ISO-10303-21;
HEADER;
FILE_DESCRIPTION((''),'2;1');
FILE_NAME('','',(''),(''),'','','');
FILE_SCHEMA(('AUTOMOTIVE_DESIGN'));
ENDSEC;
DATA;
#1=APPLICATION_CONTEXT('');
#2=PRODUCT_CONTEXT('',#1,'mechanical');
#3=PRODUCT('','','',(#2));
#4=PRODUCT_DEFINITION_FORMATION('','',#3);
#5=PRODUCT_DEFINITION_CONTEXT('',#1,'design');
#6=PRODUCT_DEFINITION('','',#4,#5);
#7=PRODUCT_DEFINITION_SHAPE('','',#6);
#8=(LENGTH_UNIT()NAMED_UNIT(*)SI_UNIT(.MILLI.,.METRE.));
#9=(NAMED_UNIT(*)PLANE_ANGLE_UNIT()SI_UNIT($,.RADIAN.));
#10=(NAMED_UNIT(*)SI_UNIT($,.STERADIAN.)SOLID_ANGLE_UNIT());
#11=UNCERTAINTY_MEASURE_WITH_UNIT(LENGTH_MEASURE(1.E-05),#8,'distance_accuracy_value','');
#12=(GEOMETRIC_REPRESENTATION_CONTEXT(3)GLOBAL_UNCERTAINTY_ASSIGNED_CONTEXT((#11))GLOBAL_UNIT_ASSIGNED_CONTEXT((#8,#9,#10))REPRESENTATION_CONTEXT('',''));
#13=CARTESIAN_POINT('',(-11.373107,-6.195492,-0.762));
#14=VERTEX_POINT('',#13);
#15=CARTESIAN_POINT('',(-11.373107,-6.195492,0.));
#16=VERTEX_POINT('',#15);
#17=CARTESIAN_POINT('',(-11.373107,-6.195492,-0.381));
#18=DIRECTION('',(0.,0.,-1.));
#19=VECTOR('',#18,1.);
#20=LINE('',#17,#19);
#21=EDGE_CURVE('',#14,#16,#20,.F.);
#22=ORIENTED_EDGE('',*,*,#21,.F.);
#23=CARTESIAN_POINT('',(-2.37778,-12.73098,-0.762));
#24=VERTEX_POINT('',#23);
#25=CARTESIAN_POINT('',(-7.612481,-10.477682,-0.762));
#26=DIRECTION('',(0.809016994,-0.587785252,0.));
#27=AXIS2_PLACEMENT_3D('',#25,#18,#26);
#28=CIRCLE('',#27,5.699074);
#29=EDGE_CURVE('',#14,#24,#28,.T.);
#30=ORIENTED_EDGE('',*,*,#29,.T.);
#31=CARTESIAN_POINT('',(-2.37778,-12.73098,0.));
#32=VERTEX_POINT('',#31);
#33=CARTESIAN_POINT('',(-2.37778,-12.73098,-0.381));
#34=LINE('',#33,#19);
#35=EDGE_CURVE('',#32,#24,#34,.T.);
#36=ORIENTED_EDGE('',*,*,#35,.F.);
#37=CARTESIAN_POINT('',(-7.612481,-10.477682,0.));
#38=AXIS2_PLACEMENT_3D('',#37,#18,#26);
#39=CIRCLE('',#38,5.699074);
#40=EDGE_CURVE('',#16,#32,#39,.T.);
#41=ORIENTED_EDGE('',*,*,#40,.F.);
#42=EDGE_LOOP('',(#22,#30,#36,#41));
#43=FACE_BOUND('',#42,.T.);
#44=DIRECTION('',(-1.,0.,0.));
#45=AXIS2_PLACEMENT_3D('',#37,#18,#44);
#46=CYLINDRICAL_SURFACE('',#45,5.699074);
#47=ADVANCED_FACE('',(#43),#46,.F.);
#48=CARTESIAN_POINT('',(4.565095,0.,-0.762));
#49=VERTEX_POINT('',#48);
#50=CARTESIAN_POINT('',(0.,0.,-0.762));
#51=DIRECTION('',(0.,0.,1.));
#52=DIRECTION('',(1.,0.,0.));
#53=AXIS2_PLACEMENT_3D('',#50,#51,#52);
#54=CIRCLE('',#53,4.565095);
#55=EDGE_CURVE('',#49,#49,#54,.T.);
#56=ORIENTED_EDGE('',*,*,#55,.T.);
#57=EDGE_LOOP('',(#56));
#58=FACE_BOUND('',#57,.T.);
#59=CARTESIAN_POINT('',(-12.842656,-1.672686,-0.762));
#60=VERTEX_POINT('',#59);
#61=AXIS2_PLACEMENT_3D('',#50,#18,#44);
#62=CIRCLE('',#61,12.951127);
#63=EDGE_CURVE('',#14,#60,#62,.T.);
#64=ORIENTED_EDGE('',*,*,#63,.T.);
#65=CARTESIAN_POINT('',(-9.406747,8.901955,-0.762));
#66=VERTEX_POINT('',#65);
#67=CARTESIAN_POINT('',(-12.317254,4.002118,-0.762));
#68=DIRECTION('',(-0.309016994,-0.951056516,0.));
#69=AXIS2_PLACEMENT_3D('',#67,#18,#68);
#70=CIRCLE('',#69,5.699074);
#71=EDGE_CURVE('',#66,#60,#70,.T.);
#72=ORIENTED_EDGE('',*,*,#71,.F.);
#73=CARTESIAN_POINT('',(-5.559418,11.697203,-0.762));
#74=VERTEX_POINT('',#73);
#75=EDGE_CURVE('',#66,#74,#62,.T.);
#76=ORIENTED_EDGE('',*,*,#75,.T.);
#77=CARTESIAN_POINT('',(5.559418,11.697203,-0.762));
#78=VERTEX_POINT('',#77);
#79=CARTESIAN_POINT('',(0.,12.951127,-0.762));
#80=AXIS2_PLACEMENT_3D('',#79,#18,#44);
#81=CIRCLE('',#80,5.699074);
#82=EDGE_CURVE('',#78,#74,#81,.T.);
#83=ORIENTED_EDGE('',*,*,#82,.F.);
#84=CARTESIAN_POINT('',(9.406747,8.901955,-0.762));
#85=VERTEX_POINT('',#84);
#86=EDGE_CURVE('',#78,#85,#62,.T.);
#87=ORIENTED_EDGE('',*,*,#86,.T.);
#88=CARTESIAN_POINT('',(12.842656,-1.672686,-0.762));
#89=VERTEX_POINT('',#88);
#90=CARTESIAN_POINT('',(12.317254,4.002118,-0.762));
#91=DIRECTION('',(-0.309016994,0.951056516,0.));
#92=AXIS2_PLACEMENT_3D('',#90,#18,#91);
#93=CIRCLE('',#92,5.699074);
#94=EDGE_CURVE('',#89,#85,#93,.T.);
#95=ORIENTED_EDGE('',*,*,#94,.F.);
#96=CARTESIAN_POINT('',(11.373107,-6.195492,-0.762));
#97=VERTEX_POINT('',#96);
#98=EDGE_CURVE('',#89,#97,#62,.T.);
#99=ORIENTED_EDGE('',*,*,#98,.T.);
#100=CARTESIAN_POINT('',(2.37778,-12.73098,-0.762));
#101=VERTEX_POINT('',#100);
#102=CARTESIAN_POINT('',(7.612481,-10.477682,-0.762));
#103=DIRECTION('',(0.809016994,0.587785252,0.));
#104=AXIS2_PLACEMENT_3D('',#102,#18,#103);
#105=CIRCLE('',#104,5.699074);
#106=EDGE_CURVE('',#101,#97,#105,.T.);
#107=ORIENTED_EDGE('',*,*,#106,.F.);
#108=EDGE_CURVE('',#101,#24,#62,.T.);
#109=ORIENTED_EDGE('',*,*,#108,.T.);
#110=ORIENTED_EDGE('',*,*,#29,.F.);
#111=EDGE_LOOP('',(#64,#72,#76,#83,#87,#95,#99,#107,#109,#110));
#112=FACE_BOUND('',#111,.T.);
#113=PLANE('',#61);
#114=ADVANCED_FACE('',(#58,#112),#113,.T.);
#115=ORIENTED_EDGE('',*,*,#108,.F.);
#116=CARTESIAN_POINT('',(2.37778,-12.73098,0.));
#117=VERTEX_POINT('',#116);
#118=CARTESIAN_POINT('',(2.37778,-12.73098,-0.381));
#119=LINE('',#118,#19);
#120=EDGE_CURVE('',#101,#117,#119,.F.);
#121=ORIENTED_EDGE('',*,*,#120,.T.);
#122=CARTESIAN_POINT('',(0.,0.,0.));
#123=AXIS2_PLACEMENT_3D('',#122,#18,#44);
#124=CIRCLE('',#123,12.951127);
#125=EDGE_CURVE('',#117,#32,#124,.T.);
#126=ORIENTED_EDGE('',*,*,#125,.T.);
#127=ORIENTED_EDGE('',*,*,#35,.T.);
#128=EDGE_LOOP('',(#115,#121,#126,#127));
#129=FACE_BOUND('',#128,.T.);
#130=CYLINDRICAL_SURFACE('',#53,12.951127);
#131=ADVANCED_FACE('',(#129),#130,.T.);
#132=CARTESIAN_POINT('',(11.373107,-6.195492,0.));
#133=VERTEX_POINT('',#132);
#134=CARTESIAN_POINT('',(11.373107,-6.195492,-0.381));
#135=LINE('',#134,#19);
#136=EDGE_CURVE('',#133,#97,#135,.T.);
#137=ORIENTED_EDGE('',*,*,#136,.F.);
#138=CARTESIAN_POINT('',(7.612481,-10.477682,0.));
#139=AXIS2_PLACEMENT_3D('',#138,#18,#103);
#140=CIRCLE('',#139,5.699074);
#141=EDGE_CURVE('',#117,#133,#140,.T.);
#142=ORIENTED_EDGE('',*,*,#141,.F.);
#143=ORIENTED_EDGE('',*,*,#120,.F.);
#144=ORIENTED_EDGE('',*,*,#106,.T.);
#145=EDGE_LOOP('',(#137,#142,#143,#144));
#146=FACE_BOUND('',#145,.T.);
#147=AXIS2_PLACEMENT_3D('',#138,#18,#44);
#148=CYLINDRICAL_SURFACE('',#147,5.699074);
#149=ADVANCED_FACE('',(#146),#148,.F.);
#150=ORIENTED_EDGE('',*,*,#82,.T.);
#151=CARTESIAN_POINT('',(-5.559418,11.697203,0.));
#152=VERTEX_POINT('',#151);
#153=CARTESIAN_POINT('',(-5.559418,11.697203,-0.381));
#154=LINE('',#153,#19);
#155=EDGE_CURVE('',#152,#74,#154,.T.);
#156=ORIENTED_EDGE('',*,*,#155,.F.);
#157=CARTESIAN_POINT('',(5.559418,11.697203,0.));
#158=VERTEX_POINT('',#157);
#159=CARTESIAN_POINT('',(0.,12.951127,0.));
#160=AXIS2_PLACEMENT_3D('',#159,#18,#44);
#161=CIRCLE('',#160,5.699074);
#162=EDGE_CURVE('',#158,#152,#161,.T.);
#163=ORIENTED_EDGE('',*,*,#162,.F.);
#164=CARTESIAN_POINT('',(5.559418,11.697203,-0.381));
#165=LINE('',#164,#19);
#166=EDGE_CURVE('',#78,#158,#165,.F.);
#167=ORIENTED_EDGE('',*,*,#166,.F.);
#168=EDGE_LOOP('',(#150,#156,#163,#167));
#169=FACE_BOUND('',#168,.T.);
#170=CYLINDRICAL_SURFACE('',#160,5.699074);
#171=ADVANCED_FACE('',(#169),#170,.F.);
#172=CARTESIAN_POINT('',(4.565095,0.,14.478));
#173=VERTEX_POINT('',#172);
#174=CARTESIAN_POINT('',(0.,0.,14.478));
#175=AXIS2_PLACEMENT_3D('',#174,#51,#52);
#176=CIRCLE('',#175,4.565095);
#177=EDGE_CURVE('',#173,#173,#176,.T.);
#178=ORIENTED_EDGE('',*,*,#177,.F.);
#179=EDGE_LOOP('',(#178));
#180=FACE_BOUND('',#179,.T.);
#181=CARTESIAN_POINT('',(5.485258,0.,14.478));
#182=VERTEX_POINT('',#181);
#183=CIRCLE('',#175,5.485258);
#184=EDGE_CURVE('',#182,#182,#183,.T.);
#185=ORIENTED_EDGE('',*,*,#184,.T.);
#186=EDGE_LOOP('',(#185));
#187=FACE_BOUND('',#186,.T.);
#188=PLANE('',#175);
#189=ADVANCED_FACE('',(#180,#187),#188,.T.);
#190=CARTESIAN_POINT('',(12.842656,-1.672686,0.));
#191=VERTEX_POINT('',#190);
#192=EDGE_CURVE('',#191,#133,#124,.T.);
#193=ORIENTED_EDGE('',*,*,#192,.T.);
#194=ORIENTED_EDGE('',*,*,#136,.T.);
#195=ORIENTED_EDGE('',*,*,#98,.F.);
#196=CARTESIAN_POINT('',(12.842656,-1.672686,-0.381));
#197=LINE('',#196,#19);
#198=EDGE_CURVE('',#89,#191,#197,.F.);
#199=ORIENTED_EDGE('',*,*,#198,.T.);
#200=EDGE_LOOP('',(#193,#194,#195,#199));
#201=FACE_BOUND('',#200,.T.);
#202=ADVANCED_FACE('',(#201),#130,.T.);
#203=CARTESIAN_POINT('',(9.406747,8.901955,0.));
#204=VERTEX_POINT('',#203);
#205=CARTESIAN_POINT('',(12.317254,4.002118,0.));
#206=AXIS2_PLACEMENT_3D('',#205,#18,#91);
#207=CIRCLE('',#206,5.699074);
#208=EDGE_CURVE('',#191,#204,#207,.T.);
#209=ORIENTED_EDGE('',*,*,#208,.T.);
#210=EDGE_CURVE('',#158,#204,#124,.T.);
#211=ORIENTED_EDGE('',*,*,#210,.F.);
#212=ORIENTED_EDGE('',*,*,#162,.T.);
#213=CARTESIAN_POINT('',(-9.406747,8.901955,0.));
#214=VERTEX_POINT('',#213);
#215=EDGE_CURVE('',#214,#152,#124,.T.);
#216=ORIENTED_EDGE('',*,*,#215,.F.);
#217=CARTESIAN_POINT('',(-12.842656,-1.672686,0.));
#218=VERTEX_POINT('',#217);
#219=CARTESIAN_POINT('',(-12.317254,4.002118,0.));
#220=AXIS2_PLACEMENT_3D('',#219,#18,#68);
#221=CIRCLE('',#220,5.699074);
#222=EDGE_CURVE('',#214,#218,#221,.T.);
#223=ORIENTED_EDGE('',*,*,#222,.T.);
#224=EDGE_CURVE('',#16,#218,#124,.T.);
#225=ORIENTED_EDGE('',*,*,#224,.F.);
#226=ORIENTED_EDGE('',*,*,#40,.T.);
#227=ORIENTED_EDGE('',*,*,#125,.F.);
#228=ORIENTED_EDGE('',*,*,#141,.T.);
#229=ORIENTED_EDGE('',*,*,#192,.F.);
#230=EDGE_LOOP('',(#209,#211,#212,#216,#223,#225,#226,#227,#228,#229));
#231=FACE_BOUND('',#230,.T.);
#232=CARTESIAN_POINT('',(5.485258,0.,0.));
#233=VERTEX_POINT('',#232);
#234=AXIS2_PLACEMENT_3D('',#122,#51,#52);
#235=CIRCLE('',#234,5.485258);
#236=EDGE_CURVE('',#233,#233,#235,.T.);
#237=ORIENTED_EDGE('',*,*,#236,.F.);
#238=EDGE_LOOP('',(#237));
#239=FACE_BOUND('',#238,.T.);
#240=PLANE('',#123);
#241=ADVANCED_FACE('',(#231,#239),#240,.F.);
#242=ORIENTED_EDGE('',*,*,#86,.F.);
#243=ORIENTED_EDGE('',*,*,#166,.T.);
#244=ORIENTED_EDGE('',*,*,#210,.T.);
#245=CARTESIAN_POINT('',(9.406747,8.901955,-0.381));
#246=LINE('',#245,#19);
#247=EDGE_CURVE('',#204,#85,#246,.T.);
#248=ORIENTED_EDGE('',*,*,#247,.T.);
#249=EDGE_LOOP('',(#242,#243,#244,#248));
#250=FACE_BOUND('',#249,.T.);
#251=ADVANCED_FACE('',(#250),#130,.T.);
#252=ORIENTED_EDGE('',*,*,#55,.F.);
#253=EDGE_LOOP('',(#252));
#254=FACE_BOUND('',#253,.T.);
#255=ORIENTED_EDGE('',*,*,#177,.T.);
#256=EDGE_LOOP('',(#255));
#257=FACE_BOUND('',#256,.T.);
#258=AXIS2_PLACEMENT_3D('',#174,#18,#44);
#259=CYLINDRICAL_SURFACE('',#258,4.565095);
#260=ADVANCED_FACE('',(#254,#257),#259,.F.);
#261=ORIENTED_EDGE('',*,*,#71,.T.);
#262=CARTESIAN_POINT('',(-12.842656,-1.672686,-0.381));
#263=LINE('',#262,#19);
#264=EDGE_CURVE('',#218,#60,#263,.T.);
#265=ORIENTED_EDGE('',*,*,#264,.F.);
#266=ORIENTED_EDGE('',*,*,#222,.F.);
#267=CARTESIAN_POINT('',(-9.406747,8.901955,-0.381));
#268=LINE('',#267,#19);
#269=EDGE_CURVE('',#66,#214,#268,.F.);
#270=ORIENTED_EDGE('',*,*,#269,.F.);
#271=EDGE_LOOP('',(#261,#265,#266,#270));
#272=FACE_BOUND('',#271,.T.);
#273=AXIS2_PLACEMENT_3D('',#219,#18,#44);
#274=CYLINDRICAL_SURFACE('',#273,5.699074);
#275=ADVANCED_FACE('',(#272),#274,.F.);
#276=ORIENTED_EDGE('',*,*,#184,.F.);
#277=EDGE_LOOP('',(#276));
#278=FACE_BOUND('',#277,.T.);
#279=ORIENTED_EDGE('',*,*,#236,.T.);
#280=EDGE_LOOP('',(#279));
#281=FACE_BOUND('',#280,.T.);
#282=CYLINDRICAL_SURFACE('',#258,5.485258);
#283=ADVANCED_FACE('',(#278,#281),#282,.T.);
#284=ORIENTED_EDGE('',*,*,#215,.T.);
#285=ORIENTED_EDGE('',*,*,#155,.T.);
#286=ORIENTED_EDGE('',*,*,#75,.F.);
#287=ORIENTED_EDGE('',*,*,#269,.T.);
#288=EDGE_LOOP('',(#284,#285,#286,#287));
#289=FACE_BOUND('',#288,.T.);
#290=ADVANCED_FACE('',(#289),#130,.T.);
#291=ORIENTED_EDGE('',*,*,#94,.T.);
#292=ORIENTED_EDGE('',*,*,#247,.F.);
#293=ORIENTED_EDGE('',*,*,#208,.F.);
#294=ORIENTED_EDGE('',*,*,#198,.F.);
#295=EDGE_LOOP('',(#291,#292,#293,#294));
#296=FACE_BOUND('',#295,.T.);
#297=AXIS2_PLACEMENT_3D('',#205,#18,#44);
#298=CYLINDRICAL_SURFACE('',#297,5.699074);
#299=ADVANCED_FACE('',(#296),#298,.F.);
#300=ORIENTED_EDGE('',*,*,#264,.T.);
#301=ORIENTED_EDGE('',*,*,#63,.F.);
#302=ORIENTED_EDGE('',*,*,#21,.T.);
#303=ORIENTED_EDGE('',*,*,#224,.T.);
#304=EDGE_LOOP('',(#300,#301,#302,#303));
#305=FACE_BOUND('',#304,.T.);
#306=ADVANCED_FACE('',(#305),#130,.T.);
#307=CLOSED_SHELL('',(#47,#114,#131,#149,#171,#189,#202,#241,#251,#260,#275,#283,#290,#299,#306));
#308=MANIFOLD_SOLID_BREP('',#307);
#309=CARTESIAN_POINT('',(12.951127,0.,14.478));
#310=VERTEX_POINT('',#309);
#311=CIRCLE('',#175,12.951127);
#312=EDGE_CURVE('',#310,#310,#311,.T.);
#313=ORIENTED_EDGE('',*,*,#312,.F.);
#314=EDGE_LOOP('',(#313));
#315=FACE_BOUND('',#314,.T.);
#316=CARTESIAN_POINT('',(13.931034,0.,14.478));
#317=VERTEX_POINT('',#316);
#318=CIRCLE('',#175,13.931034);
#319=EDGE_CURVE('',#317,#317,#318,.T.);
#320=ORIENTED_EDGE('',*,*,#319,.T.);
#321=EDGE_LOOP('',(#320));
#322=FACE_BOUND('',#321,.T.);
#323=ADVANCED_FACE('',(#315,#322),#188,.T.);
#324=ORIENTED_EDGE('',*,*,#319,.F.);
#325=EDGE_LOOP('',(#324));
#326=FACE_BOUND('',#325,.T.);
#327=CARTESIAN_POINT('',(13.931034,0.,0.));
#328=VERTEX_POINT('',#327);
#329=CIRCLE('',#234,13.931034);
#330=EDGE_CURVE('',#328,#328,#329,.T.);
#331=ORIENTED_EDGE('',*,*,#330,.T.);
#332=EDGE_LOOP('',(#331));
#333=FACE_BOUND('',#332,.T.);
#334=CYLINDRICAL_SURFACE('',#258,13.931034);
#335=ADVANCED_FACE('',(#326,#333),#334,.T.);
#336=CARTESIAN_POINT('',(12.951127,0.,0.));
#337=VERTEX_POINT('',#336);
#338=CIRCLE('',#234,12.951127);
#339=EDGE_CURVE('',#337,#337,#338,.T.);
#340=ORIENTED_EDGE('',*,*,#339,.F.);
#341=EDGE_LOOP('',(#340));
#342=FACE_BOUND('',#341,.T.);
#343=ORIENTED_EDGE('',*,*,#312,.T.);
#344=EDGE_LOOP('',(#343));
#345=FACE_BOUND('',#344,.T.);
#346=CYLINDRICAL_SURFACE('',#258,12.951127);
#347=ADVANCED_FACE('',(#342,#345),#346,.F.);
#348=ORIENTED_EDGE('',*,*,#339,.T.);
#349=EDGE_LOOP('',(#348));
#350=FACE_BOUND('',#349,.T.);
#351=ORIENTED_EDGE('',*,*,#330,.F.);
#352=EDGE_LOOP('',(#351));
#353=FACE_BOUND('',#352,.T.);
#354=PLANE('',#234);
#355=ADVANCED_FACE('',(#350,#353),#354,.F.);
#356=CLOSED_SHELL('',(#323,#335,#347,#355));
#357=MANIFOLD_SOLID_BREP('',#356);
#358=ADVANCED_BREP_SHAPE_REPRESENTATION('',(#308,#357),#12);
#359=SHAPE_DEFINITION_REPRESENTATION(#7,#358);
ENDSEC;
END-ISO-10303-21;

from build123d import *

# Parameters (mm, degrees)
SKETCH1_R             = 13.931034295
SKETCH1_R_2           = 12.951126788
BOSS_EXTRUDE1_DEPTH   = 14.478
SKETCH1_R_3           = 5.48525759
SKETCH1_R_4           = 4.565095147
BOSS_EXTRUDE1_2_DEPTH = 14.478
SKETCH2_R             = 12.951126788
BOSS_EXTRUDE2_DEPTH   = 0.762
SKETCH4_R             = 5.699074366
CUT_EXTRUDE2_DEPTH    = 0.762
CIRPATTERN2_COUNT     = 5
SKETCH6_R             = 4.565095147
CUT_EXTRUDE3_DEPTH    = 0.762


with BuildPart() as part:
    # Sketch1 → Boss-Extrude1 (new body)
    with BuildSketch(Plane.XY):
        Circle(SKETCH1_R)
        Circle(SKETCH1_R_2, mode=Mode.SUBTRACT)
    extrude(amount=BOSS_EXTRUDE1_DEPTH)


with BuildPart() as body_2:
    # Sketch1 → Boss-Extrude1 2 (new body)
    with BuildSketch(Plane.XY):
        Circle(SKETCH1_R_3)
        Circle(SKETCH1_R_4, mode=Mode.SUBTRACT)
    extrude(amount=BOSS_EXTRUDE1_2_DEPTH)

    # Sketch2 → Boss-Extrude2 (add)
    with BuildSketch(Plane(origin=(0, 0, 0), x_dir=(-1, 0, 0), z_dir=(0, 0, -1))):
        Circle(SKETCH2_R)
    extrude(amount=BOSS_EXTRUDE2_DEPTH)

    # Sketch4 → Cut-Extrude2 (cut)
    with BuildSketch(Plane(origin=(0, 0, -0.762), x_dir=(-1, 0, 0), z_dir=(0, 0, -1))):
        with Locations((0, 12.951126788)):
            Circle(SKETCH4_R)
    cut_extrude2 = extrude(amount=-CUT_EXTRUDE2_DEPTH, mode=Mode.SUBTRACT)

    # CirPattern2: Cut-Extrude2 ×5 about axis
    cirpattern2_axis = Axis((0, 0, 0), (0, 0, 1))
    for i in range(1, CIRPATTERN2_COUNT):
        add(cut_extrude2.rotate(cirpattern2_axis, i * 360 / CIRPATTERN2_COUNT), mode=Mode.SUBTRACT)

    # Sketch6 → Cut-Extrude3 (cut)
    with BuildSketch(Plane.XY):
        Circle(SKETCH6_R)
    extrude(amount=-CUT_EXTRUDE3_DEPTH, mode=Mode.SUBTRACT)


solid = Compound([part.part, body_2.part])
